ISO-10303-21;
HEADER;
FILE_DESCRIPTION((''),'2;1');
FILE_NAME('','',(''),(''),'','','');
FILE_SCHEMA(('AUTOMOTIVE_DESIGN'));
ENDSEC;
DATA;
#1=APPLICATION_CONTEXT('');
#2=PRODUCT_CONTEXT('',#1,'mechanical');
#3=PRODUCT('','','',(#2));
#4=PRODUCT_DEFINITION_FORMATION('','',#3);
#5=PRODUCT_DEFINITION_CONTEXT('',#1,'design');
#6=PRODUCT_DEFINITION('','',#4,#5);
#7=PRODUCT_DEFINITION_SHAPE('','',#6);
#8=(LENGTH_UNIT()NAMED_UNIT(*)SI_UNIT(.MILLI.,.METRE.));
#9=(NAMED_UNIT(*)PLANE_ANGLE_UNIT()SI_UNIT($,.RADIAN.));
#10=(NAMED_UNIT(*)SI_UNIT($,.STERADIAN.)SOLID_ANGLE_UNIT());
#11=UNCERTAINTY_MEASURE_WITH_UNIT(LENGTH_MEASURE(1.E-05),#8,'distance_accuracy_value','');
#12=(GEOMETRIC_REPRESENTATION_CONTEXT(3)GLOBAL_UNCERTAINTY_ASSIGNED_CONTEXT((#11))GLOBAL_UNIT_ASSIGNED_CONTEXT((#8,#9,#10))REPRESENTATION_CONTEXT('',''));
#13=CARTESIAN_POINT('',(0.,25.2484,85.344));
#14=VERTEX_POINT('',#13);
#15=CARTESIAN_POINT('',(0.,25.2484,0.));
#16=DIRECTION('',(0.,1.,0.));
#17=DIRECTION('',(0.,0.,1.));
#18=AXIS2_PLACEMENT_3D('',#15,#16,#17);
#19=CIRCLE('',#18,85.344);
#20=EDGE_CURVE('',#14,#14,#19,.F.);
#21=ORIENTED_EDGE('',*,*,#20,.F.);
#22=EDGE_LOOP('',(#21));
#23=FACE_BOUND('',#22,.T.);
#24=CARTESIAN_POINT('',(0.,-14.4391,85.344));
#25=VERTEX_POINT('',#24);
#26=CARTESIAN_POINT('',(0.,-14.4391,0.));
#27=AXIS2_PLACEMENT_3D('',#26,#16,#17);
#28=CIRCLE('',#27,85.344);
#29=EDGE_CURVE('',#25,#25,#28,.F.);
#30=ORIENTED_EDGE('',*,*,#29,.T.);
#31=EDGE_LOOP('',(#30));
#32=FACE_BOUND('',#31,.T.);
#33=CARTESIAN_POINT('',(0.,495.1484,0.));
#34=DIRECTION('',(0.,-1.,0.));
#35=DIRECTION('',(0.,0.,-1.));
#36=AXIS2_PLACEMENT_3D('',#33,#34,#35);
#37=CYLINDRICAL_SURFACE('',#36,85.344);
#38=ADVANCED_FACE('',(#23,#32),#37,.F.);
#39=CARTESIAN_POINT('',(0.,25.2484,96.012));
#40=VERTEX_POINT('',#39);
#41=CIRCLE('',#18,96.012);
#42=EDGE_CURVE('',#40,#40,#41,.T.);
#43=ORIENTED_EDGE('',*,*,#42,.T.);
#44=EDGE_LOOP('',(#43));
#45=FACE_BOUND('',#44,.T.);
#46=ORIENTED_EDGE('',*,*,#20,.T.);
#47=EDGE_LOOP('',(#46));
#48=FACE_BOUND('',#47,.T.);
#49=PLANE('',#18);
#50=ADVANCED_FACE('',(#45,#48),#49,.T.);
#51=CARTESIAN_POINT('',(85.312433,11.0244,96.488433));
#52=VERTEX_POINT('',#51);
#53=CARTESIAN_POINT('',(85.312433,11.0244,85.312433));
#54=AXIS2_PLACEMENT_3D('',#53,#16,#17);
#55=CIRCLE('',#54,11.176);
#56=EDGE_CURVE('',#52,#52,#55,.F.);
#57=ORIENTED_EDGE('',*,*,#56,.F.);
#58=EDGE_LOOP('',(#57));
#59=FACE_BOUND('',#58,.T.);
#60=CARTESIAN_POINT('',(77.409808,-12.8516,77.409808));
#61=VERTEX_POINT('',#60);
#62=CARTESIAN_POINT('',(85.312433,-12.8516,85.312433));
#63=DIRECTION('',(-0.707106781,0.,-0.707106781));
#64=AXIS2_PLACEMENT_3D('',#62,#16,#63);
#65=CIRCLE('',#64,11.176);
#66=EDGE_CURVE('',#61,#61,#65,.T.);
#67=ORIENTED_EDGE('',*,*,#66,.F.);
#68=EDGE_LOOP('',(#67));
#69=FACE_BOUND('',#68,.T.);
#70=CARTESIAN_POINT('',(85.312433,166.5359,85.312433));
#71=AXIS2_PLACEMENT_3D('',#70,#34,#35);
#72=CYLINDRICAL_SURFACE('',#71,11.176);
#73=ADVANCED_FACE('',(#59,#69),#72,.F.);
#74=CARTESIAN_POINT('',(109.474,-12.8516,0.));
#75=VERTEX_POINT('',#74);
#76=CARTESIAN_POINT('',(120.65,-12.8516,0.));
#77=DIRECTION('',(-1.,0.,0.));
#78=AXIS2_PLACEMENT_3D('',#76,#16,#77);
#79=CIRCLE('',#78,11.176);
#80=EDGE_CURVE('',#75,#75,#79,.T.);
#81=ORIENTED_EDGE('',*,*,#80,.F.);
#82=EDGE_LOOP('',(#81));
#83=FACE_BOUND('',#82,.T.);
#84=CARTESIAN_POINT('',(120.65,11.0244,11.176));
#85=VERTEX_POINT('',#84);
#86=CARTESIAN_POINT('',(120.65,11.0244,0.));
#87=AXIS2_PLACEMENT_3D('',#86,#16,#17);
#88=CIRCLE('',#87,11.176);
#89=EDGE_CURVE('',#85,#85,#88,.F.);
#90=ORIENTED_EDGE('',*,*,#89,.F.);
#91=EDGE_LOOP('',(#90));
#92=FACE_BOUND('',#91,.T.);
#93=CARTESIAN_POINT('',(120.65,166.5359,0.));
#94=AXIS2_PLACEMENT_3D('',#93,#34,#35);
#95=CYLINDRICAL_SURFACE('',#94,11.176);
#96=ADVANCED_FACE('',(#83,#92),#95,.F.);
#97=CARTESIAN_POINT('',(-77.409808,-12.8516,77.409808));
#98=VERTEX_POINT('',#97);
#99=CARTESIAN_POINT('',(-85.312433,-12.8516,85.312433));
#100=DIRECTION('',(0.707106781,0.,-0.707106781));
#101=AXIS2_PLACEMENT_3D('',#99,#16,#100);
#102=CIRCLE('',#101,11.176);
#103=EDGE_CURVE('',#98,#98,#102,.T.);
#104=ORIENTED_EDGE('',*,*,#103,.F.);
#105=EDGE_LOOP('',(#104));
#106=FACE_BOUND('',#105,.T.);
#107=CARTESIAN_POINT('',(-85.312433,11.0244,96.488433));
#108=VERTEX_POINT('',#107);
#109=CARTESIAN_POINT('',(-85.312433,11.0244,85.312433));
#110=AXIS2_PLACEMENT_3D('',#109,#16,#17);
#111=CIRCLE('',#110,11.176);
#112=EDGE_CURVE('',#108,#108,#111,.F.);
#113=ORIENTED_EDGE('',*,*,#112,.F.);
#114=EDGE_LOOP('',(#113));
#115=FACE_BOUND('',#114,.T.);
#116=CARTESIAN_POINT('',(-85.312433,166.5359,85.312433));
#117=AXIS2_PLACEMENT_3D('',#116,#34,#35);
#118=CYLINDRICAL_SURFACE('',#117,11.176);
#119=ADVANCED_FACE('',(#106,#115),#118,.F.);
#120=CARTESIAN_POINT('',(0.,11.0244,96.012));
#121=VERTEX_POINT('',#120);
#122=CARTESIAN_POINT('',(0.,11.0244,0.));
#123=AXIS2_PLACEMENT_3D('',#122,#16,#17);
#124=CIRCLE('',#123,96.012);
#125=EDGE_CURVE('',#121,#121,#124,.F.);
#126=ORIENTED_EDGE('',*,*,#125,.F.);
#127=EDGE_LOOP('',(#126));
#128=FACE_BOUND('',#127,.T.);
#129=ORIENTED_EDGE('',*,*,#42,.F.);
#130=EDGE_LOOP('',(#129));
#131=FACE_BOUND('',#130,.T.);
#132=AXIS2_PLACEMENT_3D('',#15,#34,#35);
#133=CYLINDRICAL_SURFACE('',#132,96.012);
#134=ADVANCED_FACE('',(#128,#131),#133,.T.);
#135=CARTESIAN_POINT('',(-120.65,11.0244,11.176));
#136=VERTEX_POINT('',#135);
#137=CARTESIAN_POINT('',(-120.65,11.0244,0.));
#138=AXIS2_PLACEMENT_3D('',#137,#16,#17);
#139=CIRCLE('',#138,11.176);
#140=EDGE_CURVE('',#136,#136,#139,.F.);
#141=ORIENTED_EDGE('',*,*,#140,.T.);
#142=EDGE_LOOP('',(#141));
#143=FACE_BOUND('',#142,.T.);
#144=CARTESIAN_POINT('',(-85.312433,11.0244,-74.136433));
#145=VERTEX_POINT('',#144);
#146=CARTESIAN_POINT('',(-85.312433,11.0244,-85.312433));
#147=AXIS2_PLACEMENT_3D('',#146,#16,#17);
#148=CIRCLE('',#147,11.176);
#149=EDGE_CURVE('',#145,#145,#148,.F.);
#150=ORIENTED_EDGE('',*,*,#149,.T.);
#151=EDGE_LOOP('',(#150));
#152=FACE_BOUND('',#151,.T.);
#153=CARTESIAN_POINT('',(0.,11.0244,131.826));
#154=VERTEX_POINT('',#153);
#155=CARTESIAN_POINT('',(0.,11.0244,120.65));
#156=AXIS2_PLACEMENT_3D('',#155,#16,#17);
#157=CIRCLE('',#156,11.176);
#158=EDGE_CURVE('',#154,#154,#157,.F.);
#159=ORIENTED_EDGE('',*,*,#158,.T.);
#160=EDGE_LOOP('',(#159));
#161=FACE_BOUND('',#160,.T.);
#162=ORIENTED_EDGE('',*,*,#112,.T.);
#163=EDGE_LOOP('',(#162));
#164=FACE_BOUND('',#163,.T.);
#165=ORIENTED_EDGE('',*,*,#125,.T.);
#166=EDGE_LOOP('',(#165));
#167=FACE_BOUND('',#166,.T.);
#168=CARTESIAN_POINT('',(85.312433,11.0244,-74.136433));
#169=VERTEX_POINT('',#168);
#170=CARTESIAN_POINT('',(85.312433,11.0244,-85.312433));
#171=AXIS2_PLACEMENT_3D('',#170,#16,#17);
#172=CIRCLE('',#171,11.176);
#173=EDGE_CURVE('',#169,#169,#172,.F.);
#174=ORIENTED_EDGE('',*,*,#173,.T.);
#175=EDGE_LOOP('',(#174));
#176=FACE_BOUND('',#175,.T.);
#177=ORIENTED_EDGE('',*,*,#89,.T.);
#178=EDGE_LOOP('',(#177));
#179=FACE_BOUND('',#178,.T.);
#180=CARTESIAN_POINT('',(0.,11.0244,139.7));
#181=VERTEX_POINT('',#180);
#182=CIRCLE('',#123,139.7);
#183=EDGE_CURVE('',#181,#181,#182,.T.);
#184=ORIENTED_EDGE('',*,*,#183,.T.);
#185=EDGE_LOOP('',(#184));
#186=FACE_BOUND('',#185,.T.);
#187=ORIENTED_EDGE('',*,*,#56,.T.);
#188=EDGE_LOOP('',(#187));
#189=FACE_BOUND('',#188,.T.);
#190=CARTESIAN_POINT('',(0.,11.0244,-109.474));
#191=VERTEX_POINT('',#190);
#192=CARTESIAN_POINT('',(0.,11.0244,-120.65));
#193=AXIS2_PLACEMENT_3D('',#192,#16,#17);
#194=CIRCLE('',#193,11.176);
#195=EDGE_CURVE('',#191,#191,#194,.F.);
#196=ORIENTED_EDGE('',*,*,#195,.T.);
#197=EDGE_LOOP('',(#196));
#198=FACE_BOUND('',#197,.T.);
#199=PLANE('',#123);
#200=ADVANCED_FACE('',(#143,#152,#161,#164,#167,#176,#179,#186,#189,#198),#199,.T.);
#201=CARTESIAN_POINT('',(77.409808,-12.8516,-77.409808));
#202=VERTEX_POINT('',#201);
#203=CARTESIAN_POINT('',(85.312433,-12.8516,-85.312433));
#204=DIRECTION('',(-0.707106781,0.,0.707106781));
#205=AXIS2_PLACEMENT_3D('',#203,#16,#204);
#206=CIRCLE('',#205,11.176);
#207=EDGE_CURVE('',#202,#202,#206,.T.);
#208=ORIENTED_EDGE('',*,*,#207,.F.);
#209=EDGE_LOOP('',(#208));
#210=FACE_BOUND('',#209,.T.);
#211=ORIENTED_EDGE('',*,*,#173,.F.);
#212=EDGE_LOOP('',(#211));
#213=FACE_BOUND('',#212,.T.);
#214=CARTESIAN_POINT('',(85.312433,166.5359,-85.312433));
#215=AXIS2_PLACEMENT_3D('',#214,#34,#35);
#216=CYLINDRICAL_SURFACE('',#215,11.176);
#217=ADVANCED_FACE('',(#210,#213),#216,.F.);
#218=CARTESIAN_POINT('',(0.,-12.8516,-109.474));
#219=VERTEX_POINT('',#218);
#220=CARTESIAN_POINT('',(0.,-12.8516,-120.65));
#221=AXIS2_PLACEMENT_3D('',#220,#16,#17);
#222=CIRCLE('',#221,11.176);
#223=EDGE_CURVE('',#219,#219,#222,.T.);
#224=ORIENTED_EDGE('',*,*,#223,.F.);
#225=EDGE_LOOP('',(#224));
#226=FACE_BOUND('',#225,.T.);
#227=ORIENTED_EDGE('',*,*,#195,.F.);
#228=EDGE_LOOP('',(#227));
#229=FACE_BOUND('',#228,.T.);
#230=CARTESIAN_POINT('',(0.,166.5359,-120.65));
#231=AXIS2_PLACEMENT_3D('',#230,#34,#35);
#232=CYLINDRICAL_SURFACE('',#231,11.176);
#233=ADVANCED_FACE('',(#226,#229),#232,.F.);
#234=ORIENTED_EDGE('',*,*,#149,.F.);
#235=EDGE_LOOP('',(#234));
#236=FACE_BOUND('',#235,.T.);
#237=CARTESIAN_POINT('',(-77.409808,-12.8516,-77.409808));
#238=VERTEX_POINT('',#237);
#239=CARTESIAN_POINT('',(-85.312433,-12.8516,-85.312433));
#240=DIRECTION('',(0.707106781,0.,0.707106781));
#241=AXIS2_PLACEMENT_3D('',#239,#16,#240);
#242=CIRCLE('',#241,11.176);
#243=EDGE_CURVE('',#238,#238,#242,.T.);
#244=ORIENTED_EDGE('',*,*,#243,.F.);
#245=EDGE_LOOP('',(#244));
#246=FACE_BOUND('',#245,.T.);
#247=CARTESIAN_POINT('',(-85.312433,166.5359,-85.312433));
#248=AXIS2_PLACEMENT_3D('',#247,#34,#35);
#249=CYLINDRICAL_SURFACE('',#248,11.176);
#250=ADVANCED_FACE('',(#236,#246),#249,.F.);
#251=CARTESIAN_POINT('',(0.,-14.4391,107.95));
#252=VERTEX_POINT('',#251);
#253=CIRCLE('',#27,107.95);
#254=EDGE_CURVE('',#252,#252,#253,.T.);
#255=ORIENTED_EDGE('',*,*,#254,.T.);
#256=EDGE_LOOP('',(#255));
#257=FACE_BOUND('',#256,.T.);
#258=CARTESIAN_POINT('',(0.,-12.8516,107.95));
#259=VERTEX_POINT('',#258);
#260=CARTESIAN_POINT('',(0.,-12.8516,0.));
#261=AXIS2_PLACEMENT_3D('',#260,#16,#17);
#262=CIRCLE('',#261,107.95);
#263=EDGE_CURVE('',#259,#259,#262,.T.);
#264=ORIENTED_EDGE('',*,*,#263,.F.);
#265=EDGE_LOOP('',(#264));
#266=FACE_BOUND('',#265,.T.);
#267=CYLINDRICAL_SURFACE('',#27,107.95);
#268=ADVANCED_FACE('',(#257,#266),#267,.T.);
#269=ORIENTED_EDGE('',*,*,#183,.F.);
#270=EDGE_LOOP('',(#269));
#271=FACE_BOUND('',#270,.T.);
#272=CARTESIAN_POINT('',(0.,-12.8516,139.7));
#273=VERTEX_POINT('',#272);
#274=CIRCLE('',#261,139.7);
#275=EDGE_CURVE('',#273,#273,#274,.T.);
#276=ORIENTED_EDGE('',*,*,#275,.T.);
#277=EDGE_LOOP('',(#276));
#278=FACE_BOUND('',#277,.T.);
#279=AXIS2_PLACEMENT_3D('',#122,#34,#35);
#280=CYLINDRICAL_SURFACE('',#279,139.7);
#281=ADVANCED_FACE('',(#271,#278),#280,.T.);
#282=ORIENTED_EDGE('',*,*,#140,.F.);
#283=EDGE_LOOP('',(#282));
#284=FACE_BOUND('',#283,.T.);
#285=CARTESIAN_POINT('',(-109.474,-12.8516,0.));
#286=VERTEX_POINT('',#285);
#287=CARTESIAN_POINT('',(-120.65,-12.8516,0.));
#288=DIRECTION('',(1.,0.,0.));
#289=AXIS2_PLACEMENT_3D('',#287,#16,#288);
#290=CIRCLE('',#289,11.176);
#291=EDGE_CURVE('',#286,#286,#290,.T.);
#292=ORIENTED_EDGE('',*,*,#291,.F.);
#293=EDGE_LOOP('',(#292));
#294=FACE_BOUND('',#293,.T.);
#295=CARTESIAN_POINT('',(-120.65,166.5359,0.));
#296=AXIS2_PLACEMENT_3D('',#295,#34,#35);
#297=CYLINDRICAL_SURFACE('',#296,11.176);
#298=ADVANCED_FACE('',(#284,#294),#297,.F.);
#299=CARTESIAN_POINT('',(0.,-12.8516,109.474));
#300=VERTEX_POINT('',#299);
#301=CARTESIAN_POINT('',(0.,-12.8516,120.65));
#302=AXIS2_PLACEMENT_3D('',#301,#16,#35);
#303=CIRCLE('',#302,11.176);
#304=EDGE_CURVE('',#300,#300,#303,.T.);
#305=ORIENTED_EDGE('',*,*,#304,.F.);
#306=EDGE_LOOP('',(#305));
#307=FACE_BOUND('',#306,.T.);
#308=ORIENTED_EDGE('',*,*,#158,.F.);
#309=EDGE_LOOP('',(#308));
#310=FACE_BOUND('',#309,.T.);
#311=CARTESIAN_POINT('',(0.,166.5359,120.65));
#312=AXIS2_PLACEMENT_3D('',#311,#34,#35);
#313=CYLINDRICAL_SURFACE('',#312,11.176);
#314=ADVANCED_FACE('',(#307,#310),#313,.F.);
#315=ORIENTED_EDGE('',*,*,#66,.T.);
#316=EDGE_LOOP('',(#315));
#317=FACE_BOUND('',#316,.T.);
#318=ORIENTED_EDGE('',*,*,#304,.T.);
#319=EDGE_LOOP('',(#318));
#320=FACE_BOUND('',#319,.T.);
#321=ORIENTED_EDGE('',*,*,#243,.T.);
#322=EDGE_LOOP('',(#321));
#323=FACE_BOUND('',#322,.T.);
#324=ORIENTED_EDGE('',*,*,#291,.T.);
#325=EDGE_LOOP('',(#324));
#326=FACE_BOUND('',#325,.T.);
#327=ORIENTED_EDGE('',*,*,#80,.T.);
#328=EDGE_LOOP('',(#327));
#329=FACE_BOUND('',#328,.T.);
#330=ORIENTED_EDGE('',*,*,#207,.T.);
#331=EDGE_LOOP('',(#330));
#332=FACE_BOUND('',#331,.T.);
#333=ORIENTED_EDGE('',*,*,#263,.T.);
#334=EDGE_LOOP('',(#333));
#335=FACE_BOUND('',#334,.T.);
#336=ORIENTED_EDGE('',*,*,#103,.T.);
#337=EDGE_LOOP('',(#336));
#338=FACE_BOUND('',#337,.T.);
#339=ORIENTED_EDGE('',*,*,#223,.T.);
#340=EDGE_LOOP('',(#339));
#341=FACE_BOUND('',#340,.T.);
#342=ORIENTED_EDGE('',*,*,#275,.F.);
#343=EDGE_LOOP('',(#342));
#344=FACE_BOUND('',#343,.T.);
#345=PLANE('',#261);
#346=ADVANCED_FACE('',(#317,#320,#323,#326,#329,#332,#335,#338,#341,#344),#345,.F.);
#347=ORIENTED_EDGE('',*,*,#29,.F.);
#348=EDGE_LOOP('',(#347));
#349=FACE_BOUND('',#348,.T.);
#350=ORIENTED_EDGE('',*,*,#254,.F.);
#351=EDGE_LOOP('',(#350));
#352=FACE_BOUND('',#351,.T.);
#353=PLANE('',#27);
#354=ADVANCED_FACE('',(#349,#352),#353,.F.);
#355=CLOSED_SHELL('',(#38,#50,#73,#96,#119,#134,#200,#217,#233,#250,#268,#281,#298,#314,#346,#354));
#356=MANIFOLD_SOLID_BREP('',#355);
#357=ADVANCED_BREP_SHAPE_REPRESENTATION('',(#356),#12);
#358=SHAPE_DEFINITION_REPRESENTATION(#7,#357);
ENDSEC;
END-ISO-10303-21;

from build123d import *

# Parameters (mm, degrees)
SKETCH1_R               = 5.5
BOSS_EXTRUDE1_DEPTH     = 0.94
SKETCH3_R               = 3.78
BOSS_EXTRUDE2_DEPTH     = 1.5
SKETCH4_R               = 4.25
BOSS_EXTRUDE3_DEPTH     = 0.0625
SKETCH5_R               = 3.36
CUT_EXTRUDE1_DEPTH      = 20
CUT_EXTRUDE1_DEPTH_BACK = 6.0625
SKETCH7_R               = 0.44
CUT_EXTRUDE2_DEPTH      = 7.0625
CIRPATTERN1_COUNT       = 8
SCALE1_SCALE            = 25.4


with BuildPart() as part:
    # Sketch1 → Boss-Extrude1 (new body)
    with BuildSketch(Plane(origin=(0, 0, 0), x_dir=(1, 0, 0), z_dir=(0, 1, 0))):
        Circle(SKETCH1_R)
    extrude(amount=BOSS_EXTRUDE1_DEPTH)

    # Sketch3 → Boss-Extrude2 (add)
    with BuildSketch(Plane(origin=(0, 0, 0), x_dir=(1, 0, 0), z_dir=(0, 1, 0))):
        Circle(SKETCH3_R)
    extrude(amount=BOSS_EXTRUDE2_DEPTH)

    # Sketch4 → Boss-Extrude3 (add)
    with BuildSketch(Plane(origin=(0, 0, 0), x_dir=(1, 0, 0), z_dir=(0, 1, 0))):
        Circle(SKETCH4_R)
    extrude(amount=-BOSS_EXTRUDE3_DEPTH)

    # Sketch5 → Cut-Extrude1 (cut, two sides)
    with BuildSketch(Plane(origin=(0, 0, 0), x_dir=(1, 0, 0), z_dir=(0, 1, 0))) as cut_extrude1_sk:
        Circle(SKETCH5_R)
    extrude(amount=CUT_EXTRUDE1_DEPTH, mode=Mode.SUBTRACT)
    extrude(cut_extrude1_sk.sketch, amount=-CUT_EXTRUDE1_DEPTH_BACK, mode=Mode.SUBTRACT)

    # Sketch7 → Cut-Extrude2 (cut)
    with BuildSketch(Plane(origin=(0, 0, 0), x_dir=(1, 0, 0), z_dir=(0, 1, 0))):
        with Locations((0, 4.75)):
            Circle(SKETCH7_R)
    cut_extrude2 = extrude(amount=CUT_EXTRUDE2_DEPTH, mode=Mode.SUBTRACT)

    # CirPattern1: Cut-Extrude2 ×8 about axis
    cirpattern1_axis = Axis((0, 0, 0), (0, 1, 0))
    for i in range(1, CIRPATTERN1_COUNT):
        add(cut_extrude2.rotate(cirpattern1_axis, i * 360 / CIRPATTERN1_COUNT), mode=Mode.SUBTRACT)


with BuildPart() as part_1:
    # Scale1: scaled about (0, 0.526704923, 0)
    add(part.part.scale(SCALE1_SCALE).moved(Location((0, -12.851600121, 0))))


solid = part_1.part
